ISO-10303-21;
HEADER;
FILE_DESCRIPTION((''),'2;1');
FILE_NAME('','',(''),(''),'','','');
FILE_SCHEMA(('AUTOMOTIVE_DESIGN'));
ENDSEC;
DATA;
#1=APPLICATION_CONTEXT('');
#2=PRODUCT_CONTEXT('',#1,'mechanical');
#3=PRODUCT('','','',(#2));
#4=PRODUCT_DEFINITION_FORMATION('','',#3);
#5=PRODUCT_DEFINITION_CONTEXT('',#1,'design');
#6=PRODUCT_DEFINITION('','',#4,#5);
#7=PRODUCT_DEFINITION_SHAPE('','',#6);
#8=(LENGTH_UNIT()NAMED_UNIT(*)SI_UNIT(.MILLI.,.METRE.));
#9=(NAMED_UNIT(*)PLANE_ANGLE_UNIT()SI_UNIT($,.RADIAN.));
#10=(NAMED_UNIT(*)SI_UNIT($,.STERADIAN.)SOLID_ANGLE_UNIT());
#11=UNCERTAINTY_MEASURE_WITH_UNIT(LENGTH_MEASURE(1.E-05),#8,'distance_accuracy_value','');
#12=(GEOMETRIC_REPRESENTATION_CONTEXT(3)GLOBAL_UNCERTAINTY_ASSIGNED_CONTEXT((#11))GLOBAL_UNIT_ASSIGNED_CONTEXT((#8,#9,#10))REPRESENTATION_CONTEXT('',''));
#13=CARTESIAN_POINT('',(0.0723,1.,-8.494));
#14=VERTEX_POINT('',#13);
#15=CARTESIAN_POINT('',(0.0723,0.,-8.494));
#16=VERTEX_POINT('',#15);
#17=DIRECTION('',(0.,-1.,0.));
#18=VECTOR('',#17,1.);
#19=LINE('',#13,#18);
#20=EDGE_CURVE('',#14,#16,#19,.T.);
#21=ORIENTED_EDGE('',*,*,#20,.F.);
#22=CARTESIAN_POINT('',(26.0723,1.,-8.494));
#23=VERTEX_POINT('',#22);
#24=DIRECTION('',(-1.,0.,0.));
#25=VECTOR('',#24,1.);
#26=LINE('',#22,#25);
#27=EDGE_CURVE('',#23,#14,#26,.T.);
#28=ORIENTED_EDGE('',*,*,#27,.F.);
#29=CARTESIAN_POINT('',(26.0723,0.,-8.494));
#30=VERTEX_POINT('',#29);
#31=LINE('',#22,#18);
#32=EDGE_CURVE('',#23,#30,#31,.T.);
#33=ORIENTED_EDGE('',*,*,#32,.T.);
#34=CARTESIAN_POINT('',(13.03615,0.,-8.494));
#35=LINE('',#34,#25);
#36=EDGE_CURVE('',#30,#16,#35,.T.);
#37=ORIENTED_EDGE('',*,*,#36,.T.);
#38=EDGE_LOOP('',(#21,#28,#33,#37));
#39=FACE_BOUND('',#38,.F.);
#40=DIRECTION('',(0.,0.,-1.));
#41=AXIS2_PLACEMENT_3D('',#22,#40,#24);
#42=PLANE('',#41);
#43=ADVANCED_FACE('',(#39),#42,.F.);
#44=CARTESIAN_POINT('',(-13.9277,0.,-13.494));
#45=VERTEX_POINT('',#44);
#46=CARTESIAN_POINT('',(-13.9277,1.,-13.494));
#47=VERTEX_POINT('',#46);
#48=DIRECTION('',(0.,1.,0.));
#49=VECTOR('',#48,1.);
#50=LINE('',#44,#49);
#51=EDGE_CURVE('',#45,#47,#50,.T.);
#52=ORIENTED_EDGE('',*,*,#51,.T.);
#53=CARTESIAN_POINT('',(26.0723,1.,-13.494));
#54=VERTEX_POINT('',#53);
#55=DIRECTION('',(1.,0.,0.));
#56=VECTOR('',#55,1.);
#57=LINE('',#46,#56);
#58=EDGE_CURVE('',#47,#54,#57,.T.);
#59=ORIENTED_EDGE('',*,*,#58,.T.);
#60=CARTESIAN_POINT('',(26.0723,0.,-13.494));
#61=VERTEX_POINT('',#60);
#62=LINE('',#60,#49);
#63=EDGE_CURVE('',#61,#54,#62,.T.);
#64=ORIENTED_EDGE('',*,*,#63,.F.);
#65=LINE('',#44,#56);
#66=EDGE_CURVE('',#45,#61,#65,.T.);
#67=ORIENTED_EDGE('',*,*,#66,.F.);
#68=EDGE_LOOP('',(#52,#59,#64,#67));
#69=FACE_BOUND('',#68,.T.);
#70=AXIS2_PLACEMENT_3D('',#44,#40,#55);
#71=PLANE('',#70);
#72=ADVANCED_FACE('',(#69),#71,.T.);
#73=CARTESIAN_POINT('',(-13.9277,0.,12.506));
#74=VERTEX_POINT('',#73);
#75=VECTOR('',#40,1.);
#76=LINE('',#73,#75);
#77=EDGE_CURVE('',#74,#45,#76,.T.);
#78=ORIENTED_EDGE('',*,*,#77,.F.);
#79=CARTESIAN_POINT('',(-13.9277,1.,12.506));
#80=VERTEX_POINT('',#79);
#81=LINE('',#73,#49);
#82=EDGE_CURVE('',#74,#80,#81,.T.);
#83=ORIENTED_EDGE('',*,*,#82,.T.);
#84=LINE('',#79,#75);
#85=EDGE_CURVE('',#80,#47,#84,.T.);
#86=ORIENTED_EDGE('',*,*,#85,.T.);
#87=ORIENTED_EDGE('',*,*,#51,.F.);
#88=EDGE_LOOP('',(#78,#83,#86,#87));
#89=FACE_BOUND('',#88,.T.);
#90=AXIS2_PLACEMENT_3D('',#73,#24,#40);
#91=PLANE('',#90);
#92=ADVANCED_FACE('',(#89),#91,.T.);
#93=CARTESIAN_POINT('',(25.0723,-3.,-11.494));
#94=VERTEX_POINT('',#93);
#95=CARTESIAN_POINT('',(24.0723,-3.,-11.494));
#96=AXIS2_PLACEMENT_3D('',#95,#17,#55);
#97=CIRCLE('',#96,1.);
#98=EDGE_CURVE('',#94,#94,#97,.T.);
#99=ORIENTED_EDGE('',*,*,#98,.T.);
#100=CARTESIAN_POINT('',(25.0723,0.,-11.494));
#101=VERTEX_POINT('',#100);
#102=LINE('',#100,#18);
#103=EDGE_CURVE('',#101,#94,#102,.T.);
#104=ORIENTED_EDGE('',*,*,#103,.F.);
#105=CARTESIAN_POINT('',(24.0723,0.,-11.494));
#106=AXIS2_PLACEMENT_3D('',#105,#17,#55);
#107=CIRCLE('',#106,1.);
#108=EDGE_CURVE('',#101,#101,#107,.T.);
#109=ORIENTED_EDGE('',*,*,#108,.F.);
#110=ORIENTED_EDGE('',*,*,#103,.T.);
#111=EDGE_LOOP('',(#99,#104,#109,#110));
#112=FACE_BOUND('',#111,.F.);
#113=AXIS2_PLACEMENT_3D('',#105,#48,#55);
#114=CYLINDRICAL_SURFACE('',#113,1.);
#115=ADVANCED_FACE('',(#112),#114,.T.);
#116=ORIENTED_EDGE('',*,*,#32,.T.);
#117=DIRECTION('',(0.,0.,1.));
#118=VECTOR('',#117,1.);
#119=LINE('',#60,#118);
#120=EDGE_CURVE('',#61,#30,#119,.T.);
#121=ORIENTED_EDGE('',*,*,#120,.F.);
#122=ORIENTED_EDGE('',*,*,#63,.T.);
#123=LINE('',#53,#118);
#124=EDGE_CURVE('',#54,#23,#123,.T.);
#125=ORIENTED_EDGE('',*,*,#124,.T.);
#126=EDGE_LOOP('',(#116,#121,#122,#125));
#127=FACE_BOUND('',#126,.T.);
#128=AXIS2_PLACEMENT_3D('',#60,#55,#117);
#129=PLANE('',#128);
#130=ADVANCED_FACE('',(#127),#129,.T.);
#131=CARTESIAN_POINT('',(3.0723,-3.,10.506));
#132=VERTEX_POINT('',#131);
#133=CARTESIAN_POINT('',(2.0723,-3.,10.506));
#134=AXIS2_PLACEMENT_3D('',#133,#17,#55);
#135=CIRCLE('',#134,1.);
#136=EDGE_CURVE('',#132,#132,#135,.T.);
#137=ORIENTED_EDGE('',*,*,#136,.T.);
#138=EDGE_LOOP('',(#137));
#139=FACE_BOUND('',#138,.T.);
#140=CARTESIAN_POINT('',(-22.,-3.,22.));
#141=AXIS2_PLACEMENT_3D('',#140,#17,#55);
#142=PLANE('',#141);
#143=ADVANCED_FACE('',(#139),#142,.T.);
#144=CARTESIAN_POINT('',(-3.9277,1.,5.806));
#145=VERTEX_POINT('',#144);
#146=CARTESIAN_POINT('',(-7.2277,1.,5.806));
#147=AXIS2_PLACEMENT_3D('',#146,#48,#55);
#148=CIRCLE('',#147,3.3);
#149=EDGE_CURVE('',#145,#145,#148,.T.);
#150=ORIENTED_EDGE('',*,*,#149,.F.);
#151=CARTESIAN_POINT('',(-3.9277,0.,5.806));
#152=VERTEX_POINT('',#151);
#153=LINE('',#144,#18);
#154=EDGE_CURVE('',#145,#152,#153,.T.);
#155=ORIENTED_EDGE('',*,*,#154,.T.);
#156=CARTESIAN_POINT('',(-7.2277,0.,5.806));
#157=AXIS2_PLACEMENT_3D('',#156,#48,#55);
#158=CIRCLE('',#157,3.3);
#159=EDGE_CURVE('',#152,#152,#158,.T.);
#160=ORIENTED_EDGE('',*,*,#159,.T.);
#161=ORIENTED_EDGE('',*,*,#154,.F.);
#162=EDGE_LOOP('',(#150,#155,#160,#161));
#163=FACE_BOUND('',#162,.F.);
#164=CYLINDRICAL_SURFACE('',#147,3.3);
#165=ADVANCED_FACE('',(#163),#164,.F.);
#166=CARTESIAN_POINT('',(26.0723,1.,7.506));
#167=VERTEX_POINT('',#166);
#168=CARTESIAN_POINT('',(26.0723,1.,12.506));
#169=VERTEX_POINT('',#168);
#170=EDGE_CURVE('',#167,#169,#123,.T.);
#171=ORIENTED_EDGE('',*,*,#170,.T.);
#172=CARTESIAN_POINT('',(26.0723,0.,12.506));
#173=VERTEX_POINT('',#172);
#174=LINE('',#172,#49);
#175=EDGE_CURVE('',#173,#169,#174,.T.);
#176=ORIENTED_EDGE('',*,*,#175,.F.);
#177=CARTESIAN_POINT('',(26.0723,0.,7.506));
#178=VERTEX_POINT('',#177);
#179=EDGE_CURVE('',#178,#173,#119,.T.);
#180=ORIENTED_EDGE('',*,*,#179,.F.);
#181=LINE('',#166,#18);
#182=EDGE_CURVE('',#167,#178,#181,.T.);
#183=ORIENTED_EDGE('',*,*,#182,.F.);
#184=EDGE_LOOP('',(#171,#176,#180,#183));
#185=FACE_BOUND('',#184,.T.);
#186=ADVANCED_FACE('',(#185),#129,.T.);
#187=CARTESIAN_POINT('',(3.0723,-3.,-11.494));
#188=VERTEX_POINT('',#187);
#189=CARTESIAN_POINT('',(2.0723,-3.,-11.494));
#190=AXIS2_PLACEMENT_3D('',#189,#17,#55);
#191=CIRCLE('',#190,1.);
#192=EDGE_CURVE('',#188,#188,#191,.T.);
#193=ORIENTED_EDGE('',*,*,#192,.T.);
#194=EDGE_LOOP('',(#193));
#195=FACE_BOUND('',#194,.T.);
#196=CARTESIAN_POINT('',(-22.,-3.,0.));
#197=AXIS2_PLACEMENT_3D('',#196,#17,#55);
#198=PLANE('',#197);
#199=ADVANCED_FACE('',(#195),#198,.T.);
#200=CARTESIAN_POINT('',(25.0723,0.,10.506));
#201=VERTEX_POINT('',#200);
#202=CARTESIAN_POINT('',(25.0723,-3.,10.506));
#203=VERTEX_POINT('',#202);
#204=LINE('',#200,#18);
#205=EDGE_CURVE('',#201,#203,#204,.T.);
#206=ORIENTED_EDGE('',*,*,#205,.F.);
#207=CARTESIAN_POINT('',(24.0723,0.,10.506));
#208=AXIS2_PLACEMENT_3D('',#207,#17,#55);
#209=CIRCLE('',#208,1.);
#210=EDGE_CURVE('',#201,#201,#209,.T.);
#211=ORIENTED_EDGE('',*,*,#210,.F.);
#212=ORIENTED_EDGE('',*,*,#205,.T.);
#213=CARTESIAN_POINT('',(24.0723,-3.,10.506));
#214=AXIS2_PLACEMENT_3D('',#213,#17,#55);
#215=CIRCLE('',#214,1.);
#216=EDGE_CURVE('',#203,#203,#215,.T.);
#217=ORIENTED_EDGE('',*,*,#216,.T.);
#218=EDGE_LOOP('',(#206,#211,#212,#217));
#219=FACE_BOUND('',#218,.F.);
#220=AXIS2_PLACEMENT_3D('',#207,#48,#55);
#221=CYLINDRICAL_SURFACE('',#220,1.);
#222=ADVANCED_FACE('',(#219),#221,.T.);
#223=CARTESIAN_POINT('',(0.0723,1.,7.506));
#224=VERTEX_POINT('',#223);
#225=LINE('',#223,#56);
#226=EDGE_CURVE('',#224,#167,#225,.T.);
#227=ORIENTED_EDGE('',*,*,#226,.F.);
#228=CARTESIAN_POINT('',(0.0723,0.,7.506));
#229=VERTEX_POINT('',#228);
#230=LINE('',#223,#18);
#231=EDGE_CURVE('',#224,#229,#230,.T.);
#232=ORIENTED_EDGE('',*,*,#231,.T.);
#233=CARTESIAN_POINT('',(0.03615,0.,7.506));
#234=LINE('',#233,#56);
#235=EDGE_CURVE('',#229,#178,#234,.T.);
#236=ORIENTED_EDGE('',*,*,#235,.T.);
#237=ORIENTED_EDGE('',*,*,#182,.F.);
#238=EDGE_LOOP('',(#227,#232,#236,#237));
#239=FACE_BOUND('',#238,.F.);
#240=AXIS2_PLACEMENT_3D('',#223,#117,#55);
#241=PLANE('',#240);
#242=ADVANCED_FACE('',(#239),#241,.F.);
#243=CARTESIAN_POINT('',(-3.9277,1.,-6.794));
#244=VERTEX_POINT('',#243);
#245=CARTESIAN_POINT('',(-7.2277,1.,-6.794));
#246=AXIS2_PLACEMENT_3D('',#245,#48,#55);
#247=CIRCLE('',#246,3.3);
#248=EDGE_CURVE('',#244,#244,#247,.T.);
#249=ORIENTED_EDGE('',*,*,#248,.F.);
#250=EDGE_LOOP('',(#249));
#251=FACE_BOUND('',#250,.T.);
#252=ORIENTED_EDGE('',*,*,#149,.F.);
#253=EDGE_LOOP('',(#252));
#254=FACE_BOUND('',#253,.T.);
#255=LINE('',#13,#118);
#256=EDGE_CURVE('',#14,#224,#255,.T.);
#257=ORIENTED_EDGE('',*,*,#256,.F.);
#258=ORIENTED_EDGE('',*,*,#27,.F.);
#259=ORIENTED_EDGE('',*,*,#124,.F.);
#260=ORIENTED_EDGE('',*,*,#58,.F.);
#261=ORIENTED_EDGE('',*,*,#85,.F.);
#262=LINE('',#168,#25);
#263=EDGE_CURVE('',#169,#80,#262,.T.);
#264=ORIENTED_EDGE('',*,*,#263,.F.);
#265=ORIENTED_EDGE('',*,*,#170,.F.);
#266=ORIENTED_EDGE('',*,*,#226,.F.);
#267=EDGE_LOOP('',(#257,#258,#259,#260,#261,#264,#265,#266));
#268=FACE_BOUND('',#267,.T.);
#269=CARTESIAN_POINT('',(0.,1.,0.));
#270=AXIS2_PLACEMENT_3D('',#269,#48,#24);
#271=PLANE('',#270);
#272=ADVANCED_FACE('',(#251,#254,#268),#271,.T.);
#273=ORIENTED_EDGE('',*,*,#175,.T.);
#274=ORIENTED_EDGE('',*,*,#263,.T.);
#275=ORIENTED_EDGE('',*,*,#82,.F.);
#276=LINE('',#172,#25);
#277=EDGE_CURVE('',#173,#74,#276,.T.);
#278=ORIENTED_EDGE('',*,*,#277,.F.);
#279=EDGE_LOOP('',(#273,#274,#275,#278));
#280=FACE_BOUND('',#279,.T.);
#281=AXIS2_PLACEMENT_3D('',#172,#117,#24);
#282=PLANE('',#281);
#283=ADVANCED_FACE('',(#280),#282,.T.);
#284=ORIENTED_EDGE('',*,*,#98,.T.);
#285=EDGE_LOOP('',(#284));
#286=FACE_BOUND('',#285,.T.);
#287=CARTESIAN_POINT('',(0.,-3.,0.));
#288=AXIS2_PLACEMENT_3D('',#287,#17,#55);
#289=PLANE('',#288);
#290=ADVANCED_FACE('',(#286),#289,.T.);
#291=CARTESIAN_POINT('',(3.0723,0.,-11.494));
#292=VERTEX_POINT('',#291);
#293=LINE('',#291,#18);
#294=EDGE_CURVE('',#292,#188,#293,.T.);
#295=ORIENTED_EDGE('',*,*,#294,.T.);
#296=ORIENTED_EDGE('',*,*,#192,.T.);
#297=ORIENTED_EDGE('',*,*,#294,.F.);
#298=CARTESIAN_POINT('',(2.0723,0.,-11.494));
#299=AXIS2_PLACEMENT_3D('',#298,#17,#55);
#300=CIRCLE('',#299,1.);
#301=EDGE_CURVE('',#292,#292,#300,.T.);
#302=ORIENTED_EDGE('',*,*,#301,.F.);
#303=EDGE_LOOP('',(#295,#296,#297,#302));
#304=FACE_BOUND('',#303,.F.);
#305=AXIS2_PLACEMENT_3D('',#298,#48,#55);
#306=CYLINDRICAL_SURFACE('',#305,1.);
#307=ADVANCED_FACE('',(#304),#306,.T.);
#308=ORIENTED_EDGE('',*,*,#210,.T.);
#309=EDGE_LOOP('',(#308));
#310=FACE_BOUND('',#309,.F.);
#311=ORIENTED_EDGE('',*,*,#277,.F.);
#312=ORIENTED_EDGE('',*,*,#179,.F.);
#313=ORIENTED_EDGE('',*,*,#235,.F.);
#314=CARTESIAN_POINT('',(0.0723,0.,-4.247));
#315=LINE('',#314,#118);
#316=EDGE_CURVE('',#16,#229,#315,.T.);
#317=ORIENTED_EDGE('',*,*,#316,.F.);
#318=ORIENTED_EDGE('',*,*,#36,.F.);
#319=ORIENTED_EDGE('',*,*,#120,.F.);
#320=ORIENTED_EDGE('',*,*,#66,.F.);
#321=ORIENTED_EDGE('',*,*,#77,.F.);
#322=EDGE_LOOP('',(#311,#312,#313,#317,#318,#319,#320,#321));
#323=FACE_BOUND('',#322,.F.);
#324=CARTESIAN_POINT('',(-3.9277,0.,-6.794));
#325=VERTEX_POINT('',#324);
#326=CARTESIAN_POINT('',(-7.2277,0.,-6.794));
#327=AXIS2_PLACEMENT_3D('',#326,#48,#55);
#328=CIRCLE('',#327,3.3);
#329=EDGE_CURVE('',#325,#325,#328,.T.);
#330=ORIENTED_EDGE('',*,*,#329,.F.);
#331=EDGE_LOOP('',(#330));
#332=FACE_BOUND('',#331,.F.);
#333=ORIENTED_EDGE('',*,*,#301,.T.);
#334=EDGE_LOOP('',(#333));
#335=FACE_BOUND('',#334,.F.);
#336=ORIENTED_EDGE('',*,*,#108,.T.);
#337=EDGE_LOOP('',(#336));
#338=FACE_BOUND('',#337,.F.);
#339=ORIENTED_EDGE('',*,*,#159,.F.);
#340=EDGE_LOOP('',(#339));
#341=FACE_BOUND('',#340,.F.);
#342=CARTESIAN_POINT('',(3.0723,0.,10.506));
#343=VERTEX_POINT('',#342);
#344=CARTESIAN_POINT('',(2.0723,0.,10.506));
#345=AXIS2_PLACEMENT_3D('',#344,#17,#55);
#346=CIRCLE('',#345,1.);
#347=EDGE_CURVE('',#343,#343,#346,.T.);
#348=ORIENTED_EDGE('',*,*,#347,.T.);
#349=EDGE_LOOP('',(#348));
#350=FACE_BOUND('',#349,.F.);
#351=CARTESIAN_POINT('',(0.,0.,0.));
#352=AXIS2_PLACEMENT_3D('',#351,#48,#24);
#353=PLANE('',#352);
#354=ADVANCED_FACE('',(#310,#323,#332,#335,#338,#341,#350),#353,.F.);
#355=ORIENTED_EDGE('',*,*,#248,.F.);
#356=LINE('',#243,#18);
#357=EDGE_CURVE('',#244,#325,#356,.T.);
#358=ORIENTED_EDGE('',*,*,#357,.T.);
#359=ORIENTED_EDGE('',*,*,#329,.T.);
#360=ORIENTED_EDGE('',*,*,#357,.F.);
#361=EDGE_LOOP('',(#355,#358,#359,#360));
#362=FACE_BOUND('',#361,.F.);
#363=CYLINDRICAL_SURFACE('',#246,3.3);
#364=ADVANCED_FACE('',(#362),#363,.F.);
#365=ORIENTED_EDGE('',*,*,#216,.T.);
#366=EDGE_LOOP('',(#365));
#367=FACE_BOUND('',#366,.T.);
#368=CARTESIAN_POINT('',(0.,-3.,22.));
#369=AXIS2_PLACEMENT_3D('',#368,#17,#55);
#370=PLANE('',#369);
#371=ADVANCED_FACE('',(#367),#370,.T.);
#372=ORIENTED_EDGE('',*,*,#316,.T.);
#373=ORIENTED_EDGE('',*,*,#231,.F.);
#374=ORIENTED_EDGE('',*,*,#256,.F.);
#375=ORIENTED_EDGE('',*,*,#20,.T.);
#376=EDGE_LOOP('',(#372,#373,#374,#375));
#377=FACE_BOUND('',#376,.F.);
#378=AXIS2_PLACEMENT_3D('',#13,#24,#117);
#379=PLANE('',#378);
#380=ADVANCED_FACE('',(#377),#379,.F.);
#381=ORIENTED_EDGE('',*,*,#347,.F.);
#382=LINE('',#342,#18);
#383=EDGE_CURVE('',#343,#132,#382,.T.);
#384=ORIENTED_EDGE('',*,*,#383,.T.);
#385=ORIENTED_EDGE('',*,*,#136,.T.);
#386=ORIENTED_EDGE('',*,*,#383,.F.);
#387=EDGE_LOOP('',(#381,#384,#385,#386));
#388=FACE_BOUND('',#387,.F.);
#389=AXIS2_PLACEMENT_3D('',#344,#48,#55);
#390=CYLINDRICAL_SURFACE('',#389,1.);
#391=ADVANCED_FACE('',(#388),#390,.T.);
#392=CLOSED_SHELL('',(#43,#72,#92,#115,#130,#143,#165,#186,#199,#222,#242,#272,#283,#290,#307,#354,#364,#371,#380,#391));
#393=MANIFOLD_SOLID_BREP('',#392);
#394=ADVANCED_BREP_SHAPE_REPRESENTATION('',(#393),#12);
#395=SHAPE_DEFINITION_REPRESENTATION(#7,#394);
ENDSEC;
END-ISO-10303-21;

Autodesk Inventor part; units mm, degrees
ref_plane "YZ Plane" through (0, 0, 0) normal (1, 0, 0) x (0, 1, 0)
ref_plane "XZ Plane" through (0, 0, 0) normal (0, 1, 0) x (-1, 0, 0)
ref_plane "XY Plane" through (0, 0, 0) normal (0, 0, 1) x (1, 0, 0)
sketch "Sketch1" plane through (0, 0, 0) normal (0, 1, 0) x (-1, 0, 0)
  line L0 (13.9277, -13.494) -> (-26.0723, -13.494)
  line L1 (-26.0723, -13.494) -> (-26.0723, 12.506)
  line L2 (-26.0723, 12.506) -> (13.9277, 12.506)
  line L3 (13.9277, 12.506) -> (13.9277, -13.494)
  point P0 (0, 0)
  dimension "d0" = 40
  dimension "d1" = 26
extrude "Extrusion1" add sketch "Sketch1" along normal blind 1
sketch "Sketch2" plane through (0, 0, 0) normal (0, -1, 0) x (1, 0, 0)
  circle A0 centre (24.0723, -11.494) radius 1
  line L0 (26.0723, -13.494) -> (-13.9277, -13.494) projected
  line L1 (26.0723, 12.506) -> (26.0723, -13.494) projected
  point P0 (0, 0)
  dimension "d4" = 2
  dimension "d5" = 2
  dimension "d6" = 2
extrude "Extrusion2" add sketch "Sketch2" along normal blind 3
pattern_linear "Rectangular Pattern1" count 2 spacing 22 along (-1, 0, 0) count 2 spacing 22 along (0, 0, 1) of "Extrusion2"
sketch "Sketch3" plane through (0, 1, 0) normal (0, 1, 0) x (1, 0, 0)
  line L0 (26.0723, -12.506) -> (26.0723, 13.494) projected
  line L1 (26.0723, 8.494) -> (0.0723, 8.494)
  line L2 (0.0723, 8.494) -> (0.0723, -7.506)
  line L3 (0.0723, -7.506) -> (26.0723, -7.506)
  line L4 (26.0723, -7.506) -> (26.0723, 8.494)
  line L5 (26.0723, 13.494) -> (-13.9277, 13.494) projected
  line L6 (-13.9277, -12.506) -> (26.0723, -12.506) projected
  circle A0 centre (-7.2277, 6.794) radius 3.3
  circle A1 centre (-7.2277, -5.806) radius 3.3
  line L7 (-13.9277, 13.494) -> (-13.9277, -12.506) projected
  point P0 (0, 0)
  dimension "d15" = 26
  dimension "d16" = 5
  dimension "d17" = 5
  dimension "d18" = 6.6
  dimension "d19" = 6.6
  dimension "d24" = 6.7
  dimension "d25" = 6.7
  dimension "d26" = 6.7
  dimension "d27" = 6.7
extrude "Extrusion3" cut sketch "Sketch3" against normal through all contours L3 L2 L1 L0 | A0 | A1
equation "\"d19\" = d18"
equation "\"d25\" = d24"
equation "\"d26\" = d25"
equation "\"d27\" = d24"
properties part number "dust_cover"
